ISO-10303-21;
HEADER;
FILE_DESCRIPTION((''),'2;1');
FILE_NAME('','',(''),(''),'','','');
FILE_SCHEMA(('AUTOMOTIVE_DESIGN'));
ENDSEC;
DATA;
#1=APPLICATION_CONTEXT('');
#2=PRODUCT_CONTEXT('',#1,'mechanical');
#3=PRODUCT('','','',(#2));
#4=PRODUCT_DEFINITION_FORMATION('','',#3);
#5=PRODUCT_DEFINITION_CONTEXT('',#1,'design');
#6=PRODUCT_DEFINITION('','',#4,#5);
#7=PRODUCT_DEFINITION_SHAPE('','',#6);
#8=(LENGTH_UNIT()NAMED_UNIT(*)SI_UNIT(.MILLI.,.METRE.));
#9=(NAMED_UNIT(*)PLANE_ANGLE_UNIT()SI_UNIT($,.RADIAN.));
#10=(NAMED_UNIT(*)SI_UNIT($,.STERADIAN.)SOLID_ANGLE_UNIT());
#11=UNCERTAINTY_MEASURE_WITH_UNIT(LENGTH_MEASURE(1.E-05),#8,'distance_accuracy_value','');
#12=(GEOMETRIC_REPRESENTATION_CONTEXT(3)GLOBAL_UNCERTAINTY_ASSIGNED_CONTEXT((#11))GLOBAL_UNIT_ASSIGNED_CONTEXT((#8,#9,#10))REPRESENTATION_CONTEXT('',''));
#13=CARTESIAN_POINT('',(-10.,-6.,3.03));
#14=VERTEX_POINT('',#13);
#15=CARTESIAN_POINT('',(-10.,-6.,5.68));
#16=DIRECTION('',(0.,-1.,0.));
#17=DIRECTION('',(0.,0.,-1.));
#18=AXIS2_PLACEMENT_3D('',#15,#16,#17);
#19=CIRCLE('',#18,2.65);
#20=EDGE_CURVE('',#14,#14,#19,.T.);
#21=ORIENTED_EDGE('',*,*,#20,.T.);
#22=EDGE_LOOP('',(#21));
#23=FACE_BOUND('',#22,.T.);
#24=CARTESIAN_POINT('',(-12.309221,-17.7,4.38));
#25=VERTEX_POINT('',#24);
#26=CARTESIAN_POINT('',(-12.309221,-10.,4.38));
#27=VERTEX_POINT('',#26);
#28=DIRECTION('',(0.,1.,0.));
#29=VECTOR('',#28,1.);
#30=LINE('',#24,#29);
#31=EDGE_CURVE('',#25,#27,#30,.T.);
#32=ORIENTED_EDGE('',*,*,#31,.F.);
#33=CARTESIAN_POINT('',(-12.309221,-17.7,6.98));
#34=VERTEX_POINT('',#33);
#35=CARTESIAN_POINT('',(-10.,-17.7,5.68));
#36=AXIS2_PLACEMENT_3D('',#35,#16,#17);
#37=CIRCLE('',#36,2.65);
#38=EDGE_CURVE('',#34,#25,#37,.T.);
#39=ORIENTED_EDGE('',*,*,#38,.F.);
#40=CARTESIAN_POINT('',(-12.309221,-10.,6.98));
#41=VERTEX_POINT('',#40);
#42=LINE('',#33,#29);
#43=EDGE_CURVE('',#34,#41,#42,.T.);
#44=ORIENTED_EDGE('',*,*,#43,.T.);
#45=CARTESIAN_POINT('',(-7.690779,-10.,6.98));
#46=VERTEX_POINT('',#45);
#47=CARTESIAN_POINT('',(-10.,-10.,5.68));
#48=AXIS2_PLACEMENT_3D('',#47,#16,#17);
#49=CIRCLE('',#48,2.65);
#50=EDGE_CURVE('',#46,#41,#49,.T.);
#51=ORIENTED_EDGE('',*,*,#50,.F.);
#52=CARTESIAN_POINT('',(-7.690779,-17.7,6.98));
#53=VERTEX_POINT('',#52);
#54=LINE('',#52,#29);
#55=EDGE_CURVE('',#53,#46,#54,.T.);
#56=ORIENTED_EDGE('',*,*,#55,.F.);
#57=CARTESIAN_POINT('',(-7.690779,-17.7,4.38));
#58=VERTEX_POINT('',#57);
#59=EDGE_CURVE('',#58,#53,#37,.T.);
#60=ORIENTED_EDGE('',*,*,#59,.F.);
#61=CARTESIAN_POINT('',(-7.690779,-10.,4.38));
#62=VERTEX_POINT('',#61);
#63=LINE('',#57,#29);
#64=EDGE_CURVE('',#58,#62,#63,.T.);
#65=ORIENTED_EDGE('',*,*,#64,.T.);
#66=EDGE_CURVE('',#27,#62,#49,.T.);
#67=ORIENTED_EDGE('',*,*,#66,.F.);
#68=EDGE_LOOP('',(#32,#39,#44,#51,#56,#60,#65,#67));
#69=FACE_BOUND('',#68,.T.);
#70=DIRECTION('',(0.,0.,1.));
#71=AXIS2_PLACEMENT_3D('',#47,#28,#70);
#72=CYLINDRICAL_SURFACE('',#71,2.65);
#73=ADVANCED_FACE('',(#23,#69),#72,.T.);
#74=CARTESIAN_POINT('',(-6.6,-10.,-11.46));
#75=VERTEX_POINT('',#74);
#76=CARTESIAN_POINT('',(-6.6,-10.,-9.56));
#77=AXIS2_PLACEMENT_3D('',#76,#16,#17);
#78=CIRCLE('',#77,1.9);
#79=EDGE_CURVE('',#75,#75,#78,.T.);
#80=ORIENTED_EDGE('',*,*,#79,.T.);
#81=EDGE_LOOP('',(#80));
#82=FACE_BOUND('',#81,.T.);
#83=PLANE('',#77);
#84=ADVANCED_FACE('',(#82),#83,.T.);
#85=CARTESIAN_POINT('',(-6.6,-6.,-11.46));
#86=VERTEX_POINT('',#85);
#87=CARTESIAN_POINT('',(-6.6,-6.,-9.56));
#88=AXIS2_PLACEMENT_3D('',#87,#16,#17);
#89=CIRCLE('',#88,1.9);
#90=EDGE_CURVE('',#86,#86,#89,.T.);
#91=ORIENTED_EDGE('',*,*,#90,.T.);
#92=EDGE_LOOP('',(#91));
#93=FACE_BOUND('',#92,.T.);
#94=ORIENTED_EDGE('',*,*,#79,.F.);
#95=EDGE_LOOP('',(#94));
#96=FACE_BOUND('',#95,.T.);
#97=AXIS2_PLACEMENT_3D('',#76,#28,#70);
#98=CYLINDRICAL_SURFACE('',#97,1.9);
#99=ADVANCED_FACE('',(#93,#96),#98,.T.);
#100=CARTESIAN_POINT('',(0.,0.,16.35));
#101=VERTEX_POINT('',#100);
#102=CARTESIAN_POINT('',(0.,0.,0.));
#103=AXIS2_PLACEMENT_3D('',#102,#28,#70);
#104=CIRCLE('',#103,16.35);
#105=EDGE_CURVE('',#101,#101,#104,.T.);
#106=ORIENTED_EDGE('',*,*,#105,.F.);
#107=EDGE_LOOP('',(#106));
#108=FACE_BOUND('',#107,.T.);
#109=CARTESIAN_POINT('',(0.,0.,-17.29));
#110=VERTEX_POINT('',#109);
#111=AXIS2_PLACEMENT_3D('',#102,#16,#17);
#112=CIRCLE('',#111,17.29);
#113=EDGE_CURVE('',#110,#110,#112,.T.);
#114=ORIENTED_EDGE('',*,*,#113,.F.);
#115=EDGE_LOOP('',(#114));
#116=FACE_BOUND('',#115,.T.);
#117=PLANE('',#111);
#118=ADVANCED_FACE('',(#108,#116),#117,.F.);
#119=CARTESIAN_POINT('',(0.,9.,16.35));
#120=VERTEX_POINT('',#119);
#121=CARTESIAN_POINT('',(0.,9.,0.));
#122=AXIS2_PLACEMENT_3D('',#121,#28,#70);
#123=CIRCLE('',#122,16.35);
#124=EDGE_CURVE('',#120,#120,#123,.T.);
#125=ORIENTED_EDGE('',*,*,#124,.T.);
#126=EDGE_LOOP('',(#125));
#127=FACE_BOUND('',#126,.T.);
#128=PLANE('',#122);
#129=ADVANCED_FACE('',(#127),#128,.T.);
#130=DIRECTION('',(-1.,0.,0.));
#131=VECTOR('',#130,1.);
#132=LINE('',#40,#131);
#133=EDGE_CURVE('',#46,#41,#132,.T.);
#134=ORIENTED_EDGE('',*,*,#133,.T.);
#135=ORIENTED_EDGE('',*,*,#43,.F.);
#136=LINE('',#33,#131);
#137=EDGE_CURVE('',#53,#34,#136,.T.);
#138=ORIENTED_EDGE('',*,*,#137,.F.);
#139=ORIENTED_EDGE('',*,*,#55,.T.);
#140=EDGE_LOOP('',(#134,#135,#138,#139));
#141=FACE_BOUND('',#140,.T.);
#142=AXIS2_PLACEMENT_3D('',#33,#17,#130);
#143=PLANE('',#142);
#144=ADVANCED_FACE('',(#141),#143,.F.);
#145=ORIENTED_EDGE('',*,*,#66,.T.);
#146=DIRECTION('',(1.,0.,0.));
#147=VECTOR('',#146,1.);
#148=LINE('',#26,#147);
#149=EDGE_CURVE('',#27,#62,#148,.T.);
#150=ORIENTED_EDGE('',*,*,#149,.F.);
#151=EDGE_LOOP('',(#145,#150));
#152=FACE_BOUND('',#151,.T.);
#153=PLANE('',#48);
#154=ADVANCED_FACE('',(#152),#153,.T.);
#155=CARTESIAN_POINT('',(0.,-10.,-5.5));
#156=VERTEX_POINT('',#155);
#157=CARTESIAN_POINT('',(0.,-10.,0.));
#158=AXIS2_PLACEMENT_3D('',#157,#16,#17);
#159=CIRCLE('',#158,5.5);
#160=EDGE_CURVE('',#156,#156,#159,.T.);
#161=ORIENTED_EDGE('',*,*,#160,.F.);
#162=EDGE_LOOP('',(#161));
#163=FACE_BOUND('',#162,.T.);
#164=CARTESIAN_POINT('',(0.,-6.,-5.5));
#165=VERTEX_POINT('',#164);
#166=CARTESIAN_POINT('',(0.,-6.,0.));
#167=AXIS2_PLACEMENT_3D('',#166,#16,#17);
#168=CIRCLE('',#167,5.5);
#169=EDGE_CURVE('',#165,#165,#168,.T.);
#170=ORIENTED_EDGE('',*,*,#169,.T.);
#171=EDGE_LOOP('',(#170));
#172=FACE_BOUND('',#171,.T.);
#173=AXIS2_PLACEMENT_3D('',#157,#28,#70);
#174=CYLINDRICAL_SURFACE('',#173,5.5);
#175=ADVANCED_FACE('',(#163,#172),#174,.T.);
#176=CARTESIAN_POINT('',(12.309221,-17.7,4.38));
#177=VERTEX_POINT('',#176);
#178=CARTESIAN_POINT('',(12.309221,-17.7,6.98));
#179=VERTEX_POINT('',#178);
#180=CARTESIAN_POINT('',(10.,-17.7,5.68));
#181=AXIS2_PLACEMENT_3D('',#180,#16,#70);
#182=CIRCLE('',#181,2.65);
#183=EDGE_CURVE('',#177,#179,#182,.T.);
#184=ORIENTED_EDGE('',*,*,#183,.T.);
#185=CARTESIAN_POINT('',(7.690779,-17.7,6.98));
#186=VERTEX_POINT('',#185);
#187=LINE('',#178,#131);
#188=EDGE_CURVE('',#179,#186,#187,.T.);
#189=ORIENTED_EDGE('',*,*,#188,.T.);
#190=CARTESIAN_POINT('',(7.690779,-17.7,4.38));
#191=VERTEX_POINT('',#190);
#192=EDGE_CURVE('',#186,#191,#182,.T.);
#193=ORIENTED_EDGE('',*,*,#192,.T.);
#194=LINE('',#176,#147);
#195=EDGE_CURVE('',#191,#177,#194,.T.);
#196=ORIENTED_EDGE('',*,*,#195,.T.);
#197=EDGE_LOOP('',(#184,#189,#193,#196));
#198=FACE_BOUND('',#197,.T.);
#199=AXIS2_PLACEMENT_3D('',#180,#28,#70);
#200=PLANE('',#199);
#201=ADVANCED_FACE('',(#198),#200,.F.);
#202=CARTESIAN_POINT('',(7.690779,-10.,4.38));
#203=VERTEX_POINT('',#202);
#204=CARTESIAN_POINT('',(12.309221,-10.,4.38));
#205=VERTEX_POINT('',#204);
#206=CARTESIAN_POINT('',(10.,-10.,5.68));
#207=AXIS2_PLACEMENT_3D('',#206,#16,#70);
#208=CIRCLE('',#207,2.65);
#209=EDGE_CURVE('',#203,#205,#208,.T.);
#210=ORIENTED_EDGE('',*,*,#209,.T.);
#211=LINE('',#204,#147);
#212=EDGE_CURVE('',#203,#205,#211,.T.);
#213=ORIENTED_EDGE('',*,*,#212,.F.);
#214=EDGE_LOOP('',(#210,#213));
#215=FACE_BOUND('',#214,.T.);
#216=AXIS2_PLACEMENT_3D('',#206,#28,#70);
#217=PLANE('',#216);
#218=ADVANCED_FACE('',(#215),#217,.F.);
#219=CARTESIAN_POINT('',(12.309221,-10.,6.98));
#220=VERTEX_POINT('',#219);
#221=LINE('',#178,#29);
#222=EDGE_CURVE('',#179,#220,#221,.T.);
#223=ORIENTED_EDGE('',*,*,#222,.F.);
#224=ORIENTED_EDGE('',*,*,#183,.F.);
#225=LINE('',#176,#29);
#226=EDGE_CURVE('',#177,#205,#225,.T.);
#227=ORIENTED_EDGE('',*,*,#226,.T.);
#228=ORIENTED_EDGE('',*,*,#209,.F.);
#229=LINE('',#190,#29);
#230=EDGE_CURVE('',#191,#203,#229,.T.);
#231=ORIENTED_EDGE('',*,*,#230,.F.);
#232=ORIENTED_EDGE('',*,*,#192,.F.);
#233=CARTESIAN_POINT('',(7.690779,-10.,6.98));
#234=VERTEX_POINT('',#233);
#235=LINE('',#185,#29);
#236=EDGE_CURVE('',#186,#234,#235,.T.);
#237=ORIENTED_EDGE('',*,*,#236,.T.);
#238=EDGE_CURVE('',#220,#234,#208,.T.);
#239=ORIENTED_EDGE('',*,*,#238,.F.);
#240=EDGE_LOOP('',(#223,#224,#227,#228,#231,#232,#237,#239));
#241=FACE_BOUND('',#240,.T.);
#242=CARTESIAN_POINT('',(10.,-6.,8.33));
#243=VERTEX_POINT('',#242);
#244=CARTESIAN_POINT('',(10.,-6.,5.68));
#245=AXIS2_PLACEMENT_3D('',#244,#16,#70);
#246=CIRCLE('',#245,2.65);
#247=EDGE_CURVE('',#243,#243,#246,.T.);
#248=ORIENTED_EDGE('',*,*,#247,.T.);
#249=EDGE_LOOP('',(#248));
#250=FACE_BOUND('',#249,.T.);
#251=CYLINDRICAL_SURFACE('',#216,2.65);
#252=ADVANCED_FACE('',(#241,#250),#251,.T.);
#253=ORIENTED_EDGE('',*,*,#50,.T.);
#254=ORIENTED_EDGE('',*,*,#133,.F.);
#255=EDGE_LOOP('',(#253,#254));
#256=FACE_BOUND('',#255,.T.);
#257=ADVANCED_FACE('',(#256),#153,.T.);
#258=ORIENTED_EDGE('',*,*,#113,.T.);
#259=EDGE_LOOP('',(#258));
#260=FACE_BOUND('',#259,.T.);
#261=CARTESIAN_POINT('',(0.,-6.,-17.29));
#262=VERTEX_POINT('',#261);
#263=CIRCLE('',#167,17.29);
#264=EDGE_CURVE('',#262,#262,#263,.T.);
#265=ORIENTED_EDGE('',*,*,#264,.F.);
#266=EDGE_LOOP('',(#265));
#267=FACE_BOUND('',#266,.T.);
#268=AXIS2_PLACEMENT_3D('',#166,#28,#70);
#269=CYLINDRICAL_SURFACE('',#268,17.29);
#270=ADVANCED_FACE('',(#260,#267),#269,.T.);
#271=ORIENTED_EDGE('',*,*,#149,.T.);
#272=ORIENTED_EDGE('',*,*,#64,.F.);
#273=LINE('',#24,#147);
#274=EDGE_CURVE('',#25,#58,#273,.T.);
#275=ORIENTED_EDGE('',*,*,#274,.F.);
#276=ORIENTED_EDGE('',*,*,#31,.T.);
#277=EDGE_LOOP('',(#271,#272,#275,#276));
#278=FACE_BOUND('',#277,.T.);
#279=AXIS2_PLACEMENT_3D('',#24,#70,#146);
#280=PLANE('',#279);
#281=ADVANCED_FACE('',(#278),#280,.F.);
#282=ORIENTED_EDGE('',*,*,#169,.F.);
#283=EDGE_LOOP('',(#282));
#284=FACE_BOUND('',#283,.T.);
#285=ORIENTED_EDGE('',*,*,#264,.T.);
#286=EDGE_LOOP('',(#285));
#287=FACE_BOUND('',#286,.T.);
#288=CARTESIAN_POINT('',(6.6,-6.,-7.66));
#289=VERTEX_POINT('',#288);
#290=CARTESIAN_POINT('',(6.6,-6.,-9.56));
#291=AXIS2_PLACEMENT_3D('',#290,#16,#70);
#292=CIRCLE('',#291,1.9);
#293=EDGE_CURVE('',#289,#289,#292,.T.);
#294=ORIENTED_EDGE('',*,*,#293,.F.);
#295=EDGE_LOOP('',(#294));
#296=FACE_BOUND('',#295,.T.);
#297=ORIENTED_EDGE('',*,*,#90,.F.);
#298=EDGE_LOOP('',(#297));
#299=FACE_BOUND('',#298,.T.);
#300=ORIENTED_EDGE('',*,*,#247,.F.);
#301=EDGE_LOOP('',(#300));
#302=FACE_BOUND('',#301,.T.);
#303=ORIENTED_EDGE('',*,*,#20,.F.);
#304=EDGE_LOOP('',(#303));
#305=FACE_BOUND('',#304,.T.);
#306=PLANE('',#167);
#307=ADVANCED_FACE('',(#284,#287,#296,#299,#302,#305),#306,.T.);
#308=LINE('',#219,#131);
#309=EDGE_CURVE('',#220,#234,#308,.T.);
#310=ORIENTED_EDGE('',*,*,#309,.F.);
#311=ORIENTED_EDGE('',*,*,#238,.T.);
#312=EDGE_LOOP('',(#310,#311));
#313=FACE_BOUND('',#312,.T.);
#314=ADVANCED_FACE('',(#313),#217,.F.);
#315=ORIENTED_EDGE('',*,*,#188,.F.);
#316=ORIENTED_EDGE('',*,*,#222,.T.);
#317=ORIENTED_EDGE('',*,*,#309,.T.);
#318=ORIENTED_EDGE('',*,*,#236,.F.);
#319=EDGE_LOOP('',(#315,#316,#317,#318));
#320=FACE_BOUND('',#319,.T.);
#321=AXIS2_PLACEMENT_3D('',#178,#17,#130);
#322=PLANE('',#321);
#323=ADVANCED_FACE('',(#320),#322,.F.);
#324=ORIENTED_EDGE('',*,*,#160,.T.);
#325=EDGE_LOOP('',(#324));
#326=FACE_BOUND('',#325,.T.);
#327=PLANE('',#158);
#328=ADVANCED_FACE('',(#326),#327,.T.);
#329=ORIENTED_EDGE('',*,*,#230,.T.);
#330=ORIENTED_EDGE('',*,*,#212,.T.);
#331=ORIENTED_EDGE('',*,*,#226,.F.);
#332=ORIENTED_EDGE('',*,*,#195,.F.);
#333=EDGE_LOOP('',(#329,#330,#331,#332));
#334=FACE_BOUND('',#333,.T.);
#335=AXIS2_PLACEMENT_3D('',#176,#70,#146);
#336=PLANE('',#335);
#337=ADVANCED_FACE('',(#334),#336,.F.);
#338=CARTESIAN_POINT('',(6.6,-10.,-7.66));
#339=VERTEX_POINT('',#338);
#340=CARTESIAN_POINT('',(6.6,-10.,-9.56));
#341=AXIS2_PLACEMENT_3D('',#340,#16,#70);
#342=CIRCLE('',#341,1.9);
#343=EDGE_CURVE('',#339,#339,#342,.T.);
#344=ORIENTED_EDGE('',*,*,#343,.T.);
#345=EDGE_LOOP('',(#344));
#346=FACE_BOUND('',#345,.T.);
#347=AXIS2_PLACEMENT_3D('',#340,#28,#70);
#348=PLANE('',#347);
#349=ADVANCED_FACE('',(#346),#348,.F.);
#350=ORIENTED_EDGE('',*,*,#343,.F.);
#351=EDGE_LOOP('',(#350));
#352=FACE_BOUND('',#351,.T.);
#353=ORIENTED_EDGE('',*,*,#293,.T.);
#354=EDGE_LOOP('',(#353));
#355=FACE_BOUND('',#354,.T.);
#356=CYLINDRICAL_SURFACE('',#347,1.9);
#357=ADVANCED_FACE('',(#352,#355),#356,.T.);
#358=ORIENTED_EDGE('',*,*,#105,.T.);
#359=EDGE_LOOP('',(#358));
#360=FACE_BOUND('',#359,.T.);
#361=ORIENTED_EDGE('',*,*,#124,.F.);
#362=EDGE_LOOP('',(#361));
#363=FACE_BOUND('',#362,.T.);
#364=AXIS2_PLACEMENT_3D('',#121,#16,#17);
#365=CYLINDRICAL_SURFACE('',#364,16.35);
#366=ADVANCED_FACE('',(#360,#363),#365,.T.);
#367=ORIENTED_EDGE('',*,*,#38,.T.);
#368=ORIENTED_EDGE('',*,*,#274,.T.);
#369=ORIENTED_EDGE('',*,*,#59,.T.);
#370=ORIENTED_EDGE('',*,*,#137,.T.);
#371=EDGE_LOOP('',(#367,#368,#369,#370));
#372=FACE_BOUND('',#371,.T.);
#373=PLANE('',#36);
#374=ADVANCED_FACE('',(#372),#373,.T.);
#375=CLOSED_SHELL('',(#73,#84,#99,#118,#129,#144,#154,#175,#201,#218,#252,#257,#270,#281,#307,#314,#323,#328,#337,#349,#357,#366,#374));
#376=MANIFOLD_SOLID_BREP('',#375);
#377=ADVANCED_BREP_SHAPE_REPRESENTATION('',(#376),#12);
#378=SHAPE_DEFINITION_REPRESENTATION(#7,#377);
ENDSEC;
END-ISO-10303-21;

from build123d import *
from build123d.topology import SkipClean

# Parameters (mm, degrees)
SKETCH_1_R      = 16.35
EXTRUDE_1_DEPTH = 9
SKETCH_2_R      = 17.29
EXTRUDE_2_DEPTH = 6
SKETCH_3_R      = 5.5
SKETCH_3_R_2    = 1.9
SKETCH_3_R_3    = 2.65
EXTRUDE_3_DEPTH = 4
EXTRUDE_4_DEPTH = 7.7


with BuildPart() as part:
    # 草图1 → 凸台-拉伸1 (new body)
    with BuildSketch(Plane(origin=(0, 0, 0), x_dir=(1, 0, 0), z_dir=(0, 1, 0))):
        with Locations(Location((0, 0, 0), (0, 0, 270))):
            Circle(SKETCH_1_R)
    extrude(amount=EXTRUDE_1_DEPTH)

    # 草图2 → 凸台-拉伸2 (add)
    with BuildSketch(Plane.XZ):
        with Locations(Location((0, 0, 0), (0, 0, 270))):
            Circle(SKETCH_2_R)
    extrude(amount=EXTRUDE_2_DEPTH)

    # 草图3 → 凸台-拉伸3 (add)
    with BuildSketch(Plane.XZ.offset(6)):
        with Locations(Location((0, 0, 0), (0, 0, 270))):
            Circle(SKETCH_3_R)
        with Locations(Location((-6.6, -9.56, 0), (0, 0, 270))):
            Circle(SKETCH_3_R_2)
        with Locations(Location((-10, 5.68, 0), (0, 0, 270))):
            Circle(SKETCH_3_R_3)
        with Locations(Location((6.6, -9.56, 0), (0, 0, 90))):
            Circle(SKETCH_3_R_2)
        with Locations(Location((10, 5.68, 0), (0, 0, 90))):
            Circle(SKETCH_3_R_3)
    extrude(amount=EXTRUDE_3_DEPTH)

    # 草图4 → 凸台-拉伸4 (add)
    with SkipClean():  # the faces are left unmerged after this step: merging them gives an invalid solid
        with BuildSketch(Plane.XZ.offset(10)):
            with BuildLine():
                Line((-12.309220648, 6.98), (-7.690779352, 6.98))
                ThreePointArc((-7.690779352, 6.98), (-7.35, 5.68), (-7.690779352, 4.38))
                Line((-7.690779352, 4.38), (-12.309220648, 4.38))
                ThreePointArc((-12.309220648, 4.38), (-12.65, 5.68), (-12.309220648, 6.98))
            make_face()
            with BuildLine():
                Line((12.309220648, 6.98), (7.690779352, 6.98))
                ThreePointArc((7.690779352, 6.98), (7.35, 5.68), (7.690779352, 4.38))
                Line((7.690779352, 4.38), (12.309220648, 4.38))
                ThreePointArc((12.309220648, 4.38), (12.65, 5.68), (12.309220648, 6.98))
            make_face()
        extrude(amount=EXTRUDE_4_DEPTH)


solid = part.part
